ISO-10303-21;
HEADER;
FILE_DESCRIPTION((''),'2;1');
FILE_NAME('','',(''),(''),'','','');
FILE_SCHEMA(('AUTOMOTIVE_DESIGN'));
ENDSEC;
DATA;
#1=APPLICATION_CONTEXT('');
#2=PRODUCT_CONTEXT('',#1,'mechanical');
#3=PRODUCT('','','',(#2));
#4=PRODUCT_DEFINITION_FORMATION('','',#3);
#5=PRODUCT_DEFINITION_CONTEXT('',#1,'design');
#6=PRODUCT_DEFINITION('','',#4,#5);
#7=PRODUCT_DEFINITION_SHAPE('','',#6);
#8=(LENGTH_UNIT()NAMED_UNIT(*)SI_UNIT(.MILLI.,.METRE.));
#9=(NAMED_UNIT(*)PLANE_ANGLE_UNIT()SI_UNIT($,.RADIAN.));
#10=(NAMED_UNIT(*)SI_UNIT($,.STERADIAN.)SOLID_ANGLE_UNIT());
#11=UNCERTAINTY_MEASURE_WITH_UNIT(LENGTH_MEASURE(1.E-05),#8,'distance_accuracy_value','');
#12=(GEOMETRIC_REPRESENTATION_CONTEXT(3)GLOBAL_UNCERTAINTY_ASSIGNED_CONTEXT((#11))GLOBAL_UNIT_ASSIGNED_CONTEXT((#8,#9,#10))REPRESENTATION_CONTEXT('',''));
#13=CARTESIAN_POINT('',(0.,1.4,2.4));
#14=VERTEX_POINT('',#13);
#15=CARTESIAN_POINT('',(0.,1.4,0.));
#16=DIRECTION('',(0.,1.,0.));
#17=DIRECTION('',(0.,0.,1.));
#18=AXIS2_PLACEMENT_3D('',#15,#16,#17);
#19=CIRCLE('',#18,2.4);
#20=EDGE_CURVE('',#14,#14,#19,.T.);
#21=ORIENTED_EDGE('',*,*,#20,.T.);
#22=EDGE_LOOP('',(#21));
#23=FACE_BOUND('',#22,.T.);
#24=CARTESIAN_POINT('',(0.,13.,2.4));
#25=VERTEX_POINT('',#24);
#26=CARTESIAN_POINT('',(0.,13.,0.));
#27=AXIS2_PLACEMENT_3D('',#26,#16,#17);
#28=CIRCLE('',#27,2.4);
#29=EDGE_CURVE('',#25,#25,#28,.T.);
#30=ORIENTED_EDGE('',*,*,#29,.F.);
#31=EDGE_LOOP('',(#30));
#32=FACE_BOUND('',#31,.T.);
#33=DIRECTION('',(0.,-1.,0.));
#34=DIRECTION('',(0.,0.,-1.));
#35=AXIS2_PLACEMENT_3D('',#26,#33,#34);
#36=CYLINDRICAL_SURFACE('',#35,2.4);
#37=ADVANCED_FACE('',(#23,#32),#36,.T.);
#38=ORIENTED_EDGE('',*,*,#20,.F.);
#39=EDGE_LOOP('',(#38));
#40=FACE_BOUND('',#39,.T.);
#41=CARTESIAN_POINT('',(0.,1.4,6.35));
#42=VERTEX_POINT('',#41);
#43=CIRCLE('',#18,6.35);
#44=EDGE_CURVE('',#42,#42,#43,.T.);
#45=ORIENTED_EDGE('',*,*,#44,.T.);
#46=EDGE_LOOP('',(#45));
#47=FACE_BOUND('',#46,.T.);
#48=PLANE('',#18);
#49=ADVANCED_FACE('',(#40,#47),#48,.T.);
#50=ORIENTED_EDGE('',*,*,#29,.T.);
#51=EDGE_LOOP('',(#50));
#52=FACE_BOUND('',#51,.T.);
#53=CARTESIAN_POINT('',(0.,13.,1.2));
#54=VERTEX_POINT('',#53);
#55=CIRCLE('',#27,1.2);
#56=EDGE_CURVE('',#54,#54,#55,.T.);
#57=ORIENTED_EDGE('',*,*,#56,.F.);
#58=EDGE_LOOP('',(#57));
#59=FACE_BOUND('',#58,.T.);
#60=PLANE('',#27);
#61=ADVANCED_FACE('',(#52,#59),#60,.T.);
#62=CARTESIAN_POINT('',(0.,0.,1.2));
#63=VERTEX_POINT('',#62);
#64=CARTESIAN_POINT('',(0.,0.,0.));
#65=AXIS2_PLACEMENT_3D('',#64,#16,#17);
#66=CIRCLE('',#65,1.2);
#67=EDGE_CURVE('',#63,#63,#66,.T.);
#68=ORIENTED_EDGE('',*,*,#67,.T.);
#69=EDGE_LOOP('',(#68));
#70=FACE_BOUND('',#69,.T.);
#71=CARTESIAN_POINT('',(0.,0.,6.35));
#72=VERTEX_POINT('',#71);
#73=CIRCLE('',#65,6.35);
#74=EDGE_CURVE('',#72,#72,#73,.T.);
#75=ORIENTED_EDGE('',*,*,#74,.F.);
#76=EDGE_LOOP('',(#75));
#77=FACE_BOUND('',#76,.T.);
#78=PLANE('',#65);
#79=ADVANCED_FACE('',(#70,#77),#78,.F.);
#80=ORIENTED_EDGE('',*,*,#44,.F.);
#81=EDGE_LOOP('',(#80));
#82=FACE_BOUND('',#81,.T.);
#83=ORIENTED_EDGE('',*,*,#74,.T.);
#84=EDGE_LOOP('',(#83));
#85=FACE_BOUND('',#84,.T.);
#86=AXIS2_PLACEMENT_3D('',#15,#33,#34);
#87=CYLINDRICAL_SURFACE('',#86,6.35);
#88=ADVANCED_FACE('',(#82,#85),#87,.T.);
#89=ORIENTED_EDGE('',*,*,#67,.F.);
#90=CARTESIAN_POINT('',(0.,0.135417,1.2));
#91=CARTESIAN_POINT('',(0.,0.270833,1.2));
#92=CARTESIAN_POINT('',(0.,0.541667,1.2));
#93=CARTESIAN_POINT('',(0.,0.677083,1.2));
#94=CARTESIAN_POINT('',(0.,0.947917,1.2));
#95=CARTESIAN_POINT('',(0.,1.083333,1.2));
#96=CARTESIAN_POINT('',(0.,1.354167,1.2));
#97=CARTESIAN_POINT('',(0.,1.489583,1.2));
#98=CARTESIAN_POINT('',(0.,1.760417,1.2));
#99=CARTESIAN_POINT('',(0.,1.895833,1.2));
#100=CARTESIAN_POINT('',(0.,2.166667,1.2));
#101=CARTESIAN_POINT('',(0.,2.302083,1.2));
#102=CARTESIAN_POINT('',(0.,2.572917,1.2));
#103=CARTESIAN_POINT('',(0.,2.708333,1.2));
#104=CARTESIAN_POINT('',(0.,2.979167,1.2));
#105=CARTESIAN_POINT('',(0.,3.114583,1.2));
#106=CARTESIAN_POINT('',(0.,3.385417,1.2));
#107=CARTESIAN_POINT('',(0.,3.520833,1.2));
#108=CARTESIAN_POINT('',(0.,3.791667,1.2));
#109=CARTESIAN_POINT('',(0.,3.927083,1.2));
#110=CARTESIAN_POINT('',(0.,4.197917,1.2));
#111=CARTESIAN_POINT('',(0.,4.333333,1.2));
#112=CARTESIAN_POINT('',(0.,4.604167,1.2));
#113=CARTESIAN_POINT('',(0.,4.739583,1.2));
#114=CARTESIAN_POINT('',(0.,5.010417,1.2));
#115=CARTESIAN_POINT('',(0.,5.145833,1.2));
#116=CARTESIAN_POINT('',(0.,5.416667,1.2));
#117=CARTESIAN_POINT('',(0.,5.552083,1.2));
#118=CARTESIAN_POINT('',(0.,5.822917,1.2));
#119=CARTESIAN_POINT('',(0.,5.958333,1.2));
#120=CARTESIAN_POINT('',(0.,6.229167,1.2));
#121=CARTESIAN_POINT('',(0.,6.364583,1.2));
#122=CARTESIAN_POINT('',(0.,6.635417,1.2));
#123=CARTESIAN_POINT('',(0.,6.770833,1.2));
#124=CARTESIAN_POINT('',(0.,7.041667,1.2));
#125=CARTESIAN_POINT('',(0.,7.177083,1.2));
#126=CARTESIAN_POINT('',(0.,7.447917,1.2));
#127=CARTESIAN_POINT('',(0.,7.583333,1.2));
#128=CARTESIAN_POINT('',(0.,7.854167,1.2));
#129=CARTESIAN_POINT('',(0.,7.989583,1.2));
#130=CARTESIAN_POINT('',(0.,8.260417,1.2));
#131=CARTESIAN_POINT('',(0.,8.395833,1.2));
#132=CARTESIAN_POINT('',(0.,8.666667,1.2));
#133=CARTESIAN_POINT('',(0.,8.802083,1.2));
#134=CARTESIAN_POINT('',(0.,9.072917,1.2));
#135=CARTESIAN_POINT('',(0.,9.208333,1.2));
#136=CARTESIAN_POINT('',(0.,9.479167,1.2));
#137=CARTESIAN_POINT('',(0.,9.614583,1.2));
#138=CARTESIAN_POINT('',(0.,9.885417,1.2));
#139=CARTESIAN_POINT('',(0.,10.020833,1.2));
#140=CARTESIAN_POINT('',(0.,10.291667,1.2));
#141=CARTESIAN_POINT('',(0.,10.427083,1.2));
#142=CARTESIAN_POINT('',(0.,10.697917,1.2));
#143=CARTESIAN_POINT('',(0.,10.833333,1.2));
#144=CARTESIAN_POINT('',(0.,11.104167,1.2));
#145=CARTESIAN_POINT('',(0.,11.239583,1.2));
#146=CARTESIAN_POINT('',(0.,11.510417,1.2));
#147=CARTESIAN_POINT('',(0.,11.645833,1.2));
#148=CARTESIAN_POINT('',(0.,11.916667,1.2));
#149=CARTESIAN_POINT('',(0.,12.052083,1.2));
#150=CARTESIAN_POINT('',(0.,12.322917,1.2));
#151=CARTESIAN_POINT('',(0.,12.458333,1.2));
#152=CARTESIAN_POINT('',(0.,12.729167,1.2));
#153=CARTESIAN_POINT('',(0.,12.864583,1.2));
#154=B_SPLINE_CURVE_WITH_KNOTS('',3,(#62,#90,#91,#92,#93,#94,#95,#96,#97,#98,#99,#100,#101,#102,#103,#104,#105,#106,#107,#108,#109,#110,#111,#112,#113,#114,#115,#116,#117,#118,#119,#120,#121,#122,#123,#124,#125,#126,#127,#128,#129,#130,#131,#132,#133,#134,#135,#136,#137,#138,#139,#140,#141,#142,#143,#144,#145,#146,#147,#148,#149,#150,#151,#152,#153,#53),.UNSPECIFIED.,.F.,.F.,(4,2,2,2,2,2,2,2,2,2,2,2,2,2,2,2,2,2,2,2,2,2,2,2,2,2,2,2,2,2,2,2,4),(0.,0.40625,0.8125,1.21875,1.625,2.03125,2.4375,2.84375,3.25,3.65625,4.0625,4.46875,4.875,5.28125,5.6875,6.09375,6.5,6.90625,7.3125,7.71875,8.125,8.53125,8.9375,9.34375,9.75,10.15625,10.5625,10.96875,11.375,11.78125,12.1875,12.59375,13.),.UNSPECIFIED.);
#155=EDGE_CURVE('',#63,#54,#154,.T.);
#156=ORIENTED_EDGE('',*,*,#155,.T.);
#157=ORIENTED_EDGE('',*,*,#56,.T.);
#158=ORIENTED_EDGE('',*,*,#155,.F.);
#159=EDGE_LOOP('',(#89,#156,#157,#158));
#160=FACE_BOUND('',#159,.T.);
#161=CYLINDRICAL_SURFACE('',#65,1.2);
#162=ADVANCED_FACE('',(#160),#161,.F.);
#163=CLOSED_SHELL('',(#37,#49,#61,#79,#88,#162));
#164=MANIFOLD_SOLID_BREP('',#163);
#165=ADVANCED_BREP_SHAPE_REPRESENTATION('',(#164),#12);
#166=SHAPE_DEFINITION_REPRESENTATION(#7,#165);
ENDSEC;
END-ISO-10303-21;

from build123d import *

# Parameters (mm, degrees)
SKETCH1_R           = 6.35
BOSS_EXTRUDE1_DEPTH = 1.4
SKETCH2_R           = 2.4
BOSS_EXTRUDE2_DEPTH = 11.6
SKETCH3_R           = 1.2
CUT_EXTRUDE1_DEPTH  = 16.800158227


with BuildPart() as part:
    # Sketch1 → Boss-Extrude1 (new body)
    with BuildSketch(Plane(origin=(0, 0, 0), x_dir=(1, 0, 0), z_dir=(0, 1, 0))):
        with Locations(Location((0, 0, 0), (0, 0, 270))):
            Circle(SKETCH1_R)
    extrude(amount=BOSS_EXTRUDE1_DEPTH)

    # Sketch2 → Boss-Extrude2 (add)
    with BuildSketch(Plane(origin=(0, 1.4, 0), x_dir=(1, 0, 0), z_dir=(0, 1, 0))):
        with Locations(Location((0, 0, 0), (0, 0, 270))):
            Circle(SKETCH2_R)
    extrude(amount=BOSS_EXTRUDE2_DEPTH)

    # Sketch3 → Cut-Extrude1 (cut, through all)
    with BuildSketch(Plane(origin=(0, 13, 0), x_dir=(1, 0, 0), z_dir=(0, 1, 0))):
        with Locations(Location((0, 0, 0), (0, 0, 270))):
            Circle(SKETCH3_R)
    extrude(amount=-CUT_EXTRUDE1_DEPTH, mode=Mode.SUBTRACT)


solid = part.part
